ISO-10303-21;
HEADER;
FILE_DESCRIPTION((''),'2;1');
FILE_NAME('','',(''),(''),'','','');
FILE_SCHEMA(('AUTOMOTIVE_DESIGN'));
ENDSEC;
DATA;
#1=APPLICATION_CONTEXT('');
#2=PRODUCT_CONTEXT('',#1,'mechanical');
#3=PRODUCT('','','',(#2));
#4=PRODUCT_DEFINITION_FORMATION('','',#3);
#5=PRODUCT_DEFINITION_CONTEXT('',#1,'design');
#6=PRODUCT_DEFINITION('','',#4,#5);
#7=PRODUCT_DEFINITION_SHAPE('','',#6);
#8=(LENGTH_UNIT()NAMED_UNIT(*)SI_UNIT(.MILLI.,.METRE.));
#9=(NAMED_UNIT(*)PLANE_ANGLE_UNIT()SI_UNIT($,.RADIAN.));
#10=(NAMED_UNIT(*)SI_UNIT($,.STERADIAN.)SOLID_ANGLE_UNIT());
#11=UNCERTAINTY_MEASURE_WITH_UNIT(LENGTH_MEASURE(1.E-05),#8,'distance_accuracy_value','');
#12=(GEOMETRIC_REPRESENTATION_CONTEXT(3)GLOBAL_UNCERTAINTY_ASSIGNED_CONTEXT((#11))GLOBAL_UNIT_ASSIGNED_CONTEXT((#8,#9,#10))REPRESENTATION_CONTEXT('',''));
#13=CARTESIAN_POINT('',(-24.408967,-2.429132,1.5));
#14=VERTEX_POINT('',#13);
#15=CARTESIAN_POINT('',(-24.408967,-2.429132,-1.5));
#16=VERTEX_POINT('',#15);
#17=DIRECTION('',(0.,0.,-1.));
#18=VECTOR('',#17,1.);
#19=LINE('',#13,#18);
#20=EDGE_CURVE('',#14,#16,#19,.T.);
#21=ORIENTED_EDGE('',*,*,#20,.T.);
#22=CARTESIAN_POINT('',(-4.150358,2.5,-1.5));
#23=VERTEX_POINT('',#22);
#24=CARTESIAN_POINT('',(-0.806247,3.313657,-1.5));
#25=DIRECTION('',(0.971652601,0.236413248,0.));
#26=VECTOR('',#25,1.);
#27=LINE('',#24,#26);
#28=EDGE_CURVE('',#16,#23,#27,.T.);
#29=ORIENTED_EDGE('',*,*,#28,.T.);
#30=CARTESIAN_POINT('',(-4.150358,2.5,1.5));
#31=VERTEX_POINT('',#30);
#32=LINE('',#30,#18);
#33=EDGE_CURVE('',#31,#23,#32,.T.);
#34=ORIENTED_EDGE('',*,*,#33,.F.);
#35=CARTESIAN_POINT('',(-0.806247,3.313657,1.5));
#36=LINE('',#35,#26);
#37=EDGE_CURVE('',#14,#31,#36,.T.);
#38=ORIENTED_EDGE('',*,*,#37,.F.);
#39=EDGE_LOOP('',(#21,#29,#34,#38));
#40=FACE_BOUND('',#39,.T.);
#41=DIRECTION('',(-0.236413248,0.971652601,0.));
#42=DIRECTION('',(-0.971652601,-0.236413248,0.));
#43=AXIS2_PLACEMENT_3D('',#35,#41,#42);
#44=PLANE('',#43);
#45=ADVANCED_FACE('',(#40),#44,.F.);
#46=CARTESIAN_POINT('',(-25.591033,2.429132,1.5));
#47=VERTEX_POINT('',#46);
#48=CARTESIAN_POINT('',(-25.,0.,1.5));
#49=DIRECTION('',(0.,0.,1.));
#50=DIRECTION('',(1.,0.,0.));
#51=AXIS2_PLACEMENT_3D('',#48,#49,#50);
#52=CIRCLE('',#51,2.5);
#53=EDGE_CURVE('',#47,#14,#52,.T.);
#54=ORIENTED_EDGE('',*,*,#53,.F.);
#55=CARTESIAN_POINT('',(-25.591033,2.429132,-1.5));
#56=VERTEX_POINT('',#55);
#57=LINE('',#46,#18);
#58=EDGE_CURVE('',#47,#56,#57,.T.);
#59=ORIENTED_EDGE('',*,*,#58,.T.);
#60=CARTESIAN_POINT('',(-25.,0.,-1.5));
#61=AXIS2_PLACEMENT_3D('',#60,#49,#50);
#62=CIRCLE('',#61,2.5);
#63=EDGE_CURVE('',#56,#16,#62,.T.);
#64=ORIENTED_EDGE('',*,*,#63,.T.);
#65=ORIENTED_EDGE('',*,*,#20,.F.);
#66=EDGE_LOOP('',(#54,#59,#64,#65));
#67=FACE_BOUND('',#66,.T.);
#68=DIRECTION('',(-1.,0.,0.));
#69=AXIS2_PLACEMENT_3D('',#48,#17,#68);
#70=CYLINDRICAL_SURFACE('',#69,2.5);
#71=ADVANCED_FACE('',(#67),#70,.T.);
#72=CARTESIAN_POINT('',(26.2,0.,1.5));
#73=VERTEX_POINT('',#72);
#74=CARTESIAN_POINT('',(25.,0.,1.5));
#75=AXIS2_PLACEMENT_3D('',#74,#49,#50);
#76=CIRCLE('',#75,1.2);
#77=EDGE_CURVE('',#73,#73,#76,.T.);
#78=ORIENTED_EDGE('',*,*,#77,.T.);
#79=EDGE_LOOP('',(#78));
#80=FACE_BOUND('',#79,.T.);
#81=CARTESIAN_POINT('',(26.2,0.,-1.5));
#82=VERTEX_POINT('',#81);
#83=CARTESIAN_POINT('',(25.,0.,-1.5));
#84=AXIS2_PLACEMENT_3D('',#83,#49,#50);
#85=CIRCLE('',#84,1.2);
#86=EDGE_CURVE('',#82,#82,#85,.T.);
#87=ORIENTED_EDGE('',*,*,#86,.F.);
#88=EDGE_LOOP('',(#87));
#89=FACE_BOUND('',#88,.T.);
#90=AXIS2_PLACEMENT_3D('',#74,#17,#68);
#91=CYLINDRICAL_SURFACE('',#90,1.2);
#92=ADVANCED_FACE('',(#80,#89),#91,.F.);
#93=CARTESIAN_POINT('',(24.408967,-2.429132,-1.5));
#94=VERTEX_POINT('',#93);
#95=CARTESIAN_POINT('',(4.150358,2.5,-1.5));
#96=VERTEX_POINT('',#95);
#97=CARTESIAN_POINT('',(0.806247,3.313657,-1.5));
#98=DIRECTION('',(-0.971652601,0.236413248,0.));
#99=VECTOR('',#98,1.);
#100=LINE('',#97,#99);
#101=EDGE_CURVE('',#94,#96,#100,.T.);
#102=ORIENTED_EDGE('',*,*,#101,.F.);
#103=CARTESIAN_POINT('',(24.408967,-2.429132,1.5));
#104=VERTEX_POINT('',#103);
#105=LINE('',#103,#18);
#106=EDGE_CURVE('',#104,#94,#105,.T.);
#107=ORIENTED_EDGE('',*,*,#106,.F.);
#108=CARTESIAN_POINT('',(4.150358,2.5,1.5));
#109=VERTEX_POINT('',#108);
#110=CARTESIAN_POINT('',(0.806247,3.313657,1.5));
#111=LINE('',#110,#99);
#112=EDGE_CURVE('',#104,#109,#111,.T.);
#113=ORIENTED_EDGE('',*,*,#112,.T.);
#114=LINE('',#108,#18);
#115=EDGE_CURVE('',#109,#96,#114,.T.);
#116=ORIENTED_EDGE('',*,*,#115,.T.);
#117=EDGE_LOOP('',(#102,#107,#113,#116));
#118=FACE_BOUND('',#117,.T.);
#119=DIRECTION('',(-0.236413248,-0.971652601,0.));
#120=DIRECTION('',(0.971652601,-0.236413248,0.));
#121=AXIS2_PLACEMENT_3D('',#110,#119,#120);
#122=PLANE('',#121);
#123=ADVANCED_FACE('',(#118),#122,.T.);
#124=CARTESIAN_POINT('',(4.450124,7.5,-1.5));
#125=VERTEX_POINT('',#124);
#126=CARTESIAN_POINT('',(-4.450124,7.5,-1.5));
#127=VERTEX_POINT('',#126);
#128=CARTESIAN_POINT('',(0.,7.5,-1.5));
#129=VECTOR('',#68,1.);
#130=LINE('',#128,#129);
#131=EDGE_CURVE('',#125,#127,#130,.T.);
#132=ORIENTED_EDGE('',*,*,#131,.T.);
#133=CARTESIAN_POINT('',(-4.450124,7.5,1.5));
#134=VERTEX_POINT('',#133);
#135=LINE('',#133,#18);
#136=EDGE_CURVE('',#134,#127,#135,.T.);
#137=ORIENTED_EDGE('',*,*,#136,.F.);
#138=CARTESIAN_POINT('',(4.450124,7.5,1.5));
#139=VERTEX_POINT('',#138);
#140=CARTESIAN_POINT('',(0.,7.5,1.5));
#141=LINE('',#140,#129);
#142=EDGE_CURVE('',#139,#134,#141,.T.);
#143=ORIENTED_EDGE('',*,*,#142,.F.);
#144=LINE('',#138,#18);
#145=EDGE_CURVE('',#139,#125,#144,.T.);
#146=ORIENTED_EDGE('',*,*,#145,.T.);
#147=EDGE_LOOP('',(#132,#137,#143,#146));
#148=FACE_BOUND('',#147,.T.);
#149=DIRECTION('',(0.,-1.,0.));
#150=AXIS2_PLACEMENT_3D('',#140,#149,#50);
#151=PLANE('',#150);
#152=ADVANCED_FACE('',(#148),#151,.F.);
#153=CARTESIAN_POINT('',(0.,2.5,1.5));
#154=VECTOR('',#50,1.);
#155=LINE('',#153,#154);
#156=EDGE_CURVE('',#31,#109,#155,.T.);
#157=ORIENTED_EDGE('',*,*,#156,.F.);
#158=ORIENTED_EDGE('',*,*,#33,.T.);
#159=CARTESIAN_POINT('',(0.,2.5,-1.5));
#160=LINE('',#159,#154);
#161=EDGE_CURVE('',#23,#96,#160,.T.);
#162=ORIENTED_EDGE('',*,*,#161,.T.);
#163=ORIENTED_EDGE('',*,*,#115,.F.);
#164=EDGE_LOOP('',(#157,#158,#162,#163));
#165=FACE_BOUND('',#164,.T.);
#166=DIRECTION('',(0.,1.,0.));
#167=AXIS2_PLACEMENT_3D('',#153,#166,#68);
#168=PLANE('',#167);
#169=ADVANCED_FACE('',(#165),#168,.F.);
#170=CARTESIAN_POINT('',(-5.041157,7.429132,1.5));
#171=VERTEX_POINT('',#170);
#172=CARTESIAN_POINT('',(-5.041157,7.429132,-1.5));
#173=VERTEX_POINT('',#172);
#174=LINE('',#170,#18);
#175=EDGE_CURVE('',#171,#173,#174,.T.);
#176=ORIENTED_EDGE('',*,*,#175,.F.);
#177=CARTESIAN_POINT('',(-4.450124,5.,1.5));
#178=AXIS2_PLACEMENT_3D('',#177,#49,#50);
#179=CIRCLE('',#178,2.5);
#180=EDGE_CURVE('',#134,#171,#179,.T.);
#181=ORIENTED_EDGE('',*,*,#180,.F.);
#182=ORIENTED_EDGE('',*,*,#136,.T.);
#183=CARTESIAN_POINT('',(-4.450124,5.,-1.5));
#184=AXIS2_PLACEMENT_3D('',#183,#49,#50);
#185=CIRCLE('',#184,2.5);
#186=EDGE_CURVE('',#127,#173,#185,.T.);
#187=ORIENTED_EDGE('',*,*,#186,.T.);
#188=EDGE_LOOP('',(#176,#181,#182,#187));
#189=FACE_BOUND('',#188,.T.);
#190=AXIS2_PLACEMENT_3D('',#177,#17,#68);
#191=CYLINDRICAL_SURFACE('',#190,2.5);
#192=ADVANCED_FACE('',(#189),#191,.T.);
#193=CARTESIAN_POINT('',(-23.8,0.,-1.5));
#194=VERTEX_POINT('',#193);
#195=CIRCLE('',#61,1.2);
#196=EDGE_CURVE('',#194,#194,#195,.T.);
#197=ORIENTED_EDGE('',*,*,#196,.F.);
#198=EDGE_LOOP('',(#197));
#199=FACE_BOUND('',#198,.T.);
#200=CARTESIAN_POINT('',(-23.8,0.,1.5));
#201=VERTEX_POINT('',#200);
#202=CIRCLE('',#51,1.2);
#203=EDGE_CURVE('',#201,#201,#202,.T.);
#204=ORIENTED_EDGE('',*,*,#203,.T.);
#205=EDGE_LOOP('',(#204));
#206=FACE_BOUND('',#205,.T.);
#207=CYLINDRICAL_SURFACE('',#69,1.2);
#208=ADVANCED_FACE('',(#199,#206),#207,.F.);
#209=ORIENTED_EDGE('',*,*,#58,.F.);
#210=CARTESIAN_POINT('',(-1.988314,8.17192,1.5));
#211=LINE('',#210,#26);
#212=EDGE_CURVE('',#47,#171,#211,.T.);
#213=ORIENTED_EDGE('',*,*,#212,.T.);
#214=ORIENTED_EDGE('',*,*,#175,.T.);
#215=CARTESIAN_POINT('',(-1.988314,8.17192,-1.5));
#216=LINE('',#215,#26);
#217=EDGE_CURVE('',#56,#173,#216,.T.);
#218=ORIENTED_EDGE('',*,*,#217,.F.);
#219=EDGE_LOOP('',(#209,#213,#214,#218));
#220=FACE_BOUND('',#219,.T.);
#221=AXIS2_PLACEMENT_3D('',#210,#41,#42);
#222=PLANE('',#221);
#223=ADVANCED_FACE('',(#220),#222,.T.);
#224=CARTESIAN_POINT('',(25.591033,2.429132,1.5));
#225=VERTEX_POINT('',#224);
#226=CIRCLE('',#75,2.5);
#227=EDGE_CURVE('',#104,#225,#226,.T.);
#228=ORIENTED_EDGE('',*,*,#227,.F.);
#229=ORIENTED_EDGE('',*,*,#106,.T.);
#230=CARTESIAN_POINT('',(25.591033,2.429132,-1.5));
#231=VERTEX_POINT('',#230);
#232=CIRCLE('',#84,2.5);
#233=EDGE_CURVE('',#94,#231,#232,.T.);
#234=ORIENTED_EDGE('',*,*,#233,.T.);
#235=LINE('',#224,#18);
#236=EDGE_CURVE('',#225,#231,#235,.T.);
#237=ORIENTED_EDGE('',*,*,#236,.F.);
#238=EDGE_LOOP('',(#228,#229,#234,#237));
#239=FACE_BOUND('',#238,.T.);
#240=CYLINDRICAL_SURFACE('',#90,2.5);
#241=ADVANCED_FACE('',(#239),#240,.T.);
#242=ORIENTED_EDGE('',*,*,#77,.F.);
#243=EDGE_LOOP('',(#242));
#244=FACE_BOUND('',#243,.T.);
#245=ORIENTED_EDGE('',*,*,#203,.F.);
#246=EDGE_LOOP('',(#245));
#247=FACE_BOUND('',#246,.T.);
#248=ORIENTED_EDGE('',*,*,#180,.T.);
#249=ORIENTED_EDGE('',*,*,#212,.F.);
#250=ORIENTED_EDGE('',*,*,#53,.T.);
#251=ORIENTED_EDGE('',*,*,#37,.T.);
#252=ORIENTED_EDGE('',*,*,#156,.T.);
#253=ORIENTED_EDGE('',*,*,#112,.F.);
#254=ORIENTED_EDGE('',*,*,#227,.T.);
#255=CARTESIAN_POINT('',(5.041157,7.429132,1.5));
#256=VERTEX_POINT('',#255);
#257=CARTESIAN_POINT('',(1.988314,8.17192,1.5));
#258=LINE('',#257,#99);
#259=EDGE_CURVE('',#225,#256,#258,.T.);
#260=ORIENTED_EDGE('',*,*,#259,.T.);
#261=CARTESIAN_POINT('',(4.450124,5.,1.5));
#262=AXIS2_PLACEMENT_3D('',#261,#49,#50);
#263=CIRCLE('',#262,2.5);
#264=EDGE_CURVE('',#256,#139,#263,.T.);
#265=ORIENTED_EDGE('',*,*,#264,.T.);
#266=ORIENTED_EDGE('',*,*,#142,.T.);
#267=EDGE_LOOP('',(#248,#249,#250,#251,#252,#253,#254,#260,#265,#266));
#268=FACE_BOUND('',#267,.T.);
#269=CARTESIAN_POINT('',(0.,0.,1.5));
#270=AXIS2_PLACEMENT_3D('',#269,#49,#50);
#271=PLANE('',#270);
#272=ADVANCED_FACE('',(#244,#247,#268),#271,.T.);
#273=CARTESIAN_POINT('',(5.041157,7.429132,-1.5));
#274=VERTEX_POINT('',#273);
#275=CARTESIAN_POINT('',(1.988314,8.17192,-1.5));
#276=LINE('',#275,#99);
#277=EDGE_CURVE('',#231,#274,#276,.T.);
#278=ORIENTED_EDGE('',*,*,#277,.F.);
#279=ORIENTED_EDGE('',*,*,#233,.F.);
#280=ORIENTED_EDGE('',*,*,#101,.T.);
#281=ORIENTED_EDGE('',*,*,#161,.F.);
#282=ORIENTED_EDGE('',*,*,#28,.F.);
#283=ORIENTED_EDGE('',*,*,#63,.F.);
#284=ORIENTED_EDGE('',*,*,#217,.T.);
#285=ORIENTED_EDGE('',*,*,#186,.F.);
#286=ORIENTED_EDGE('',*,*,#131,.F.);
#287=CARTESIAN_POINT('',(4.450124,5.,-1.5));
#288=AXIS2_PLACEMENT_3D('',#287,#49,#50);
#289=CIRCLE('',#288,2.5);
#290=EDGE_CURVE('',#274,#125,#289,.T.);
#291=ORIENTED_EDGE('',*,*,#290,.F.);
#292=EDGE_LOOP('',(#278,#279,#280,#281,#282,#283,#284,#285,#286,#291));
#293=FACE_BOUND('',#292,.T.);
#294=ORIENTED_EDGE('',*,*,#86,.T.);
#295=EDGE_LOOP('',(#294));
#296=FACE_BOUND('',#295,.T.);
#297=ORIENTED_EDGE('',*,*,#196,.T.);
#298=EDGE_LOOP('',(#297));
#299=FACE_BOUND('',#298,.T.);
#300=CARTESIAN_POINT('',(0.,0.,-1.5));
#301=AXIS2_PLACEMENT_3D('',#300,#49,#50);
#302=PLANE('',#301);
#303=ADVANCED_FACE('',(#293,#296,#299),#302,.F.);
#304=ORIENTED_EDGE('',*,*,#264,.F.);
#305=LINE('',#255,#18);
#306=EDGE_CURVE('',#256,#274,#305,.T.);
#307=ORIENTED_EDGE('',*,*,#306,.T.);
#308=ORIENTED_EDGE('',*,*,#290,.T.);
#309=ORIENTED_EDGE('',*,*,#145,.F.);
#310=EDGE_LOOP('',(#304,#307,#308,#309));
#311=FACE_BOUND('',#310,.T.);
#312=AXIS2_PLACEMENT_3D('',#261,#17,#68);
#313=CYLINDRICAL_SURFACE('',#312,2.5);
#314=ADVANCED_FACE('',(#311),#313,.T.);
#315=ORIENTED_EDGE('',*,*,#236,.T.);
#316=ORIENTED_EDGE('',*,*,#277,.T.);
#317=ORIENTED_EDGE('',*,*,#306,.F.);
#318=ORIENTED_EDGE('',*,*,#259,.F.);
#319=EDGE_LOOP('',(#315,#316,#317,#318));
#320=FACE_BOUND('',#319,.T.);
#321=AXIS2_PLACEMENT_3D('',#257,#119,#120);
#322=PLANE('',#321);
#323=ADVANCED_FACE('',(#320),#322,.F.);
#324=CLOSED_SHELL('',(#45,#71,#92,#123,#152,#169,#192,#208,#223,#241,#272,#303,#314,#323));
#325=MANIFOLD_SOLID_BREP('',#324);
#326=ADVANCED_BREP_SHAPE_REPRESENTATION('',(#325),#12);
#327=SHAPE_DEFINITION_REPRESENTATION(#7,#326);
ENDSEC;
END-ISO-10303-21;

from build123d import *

# Parameters (mm, degrees)
SKETCH1_R           = 1.2
BOSS_EXTRUDE1_DEPTH = 1.5


with BuildPart() as part:
    # Sketch1 → Boss-Extrude1 (new body, symmetric)
    with BuildSketch(Plane.XY):
        with BuildLine():
            Line((-24.40896688, -2.429131501), (-4.150358361, 2.5))
            Line((-4.150358361, 2.5), (4.150358361, 2.5))
            Line((4.150358361, 2.5), (24.40896688, -2.429131501))
            ThreePointArc((24.40896688, -2.429131501), (27.429131501, -0.59103312), (25.59103312, 2.429131501))
            Line((25.59103312, 2.429131501), (5.041156826, 7.429131501))
            ThreePointArc((5.041156826, 7.429131501), (4.747757076, 7.482219647), (4.450123705, 7.5))
            Line((4.450123705, 7.5), (-4.450123705, 7.5))
            ThreePointArc((-4.450123705, 7.5), (-4.747757076, 7.482219647), (-5.041156826, 7.429131501))
            Line((-5.041156826, 7.429131501), (-25.59103312, 2.429131501))
            ThreePointArc((-25.59103312, 2.429131501), (-27.429131501, -0.59103312), (-24.40896688, -2.429131501))
        make_face()
        with Locations((-25, 0)):
            Circle(SKETCH1_R, mode=Mode.SUBTRACT)
        with Locations((25, 0)):
            Circle(SKETCH1_R, mode=Mode.SUBTRACT)
    extrude(amount=BOSS_EXTRUDE1_DEPTH, both=True)


solid = part.part
